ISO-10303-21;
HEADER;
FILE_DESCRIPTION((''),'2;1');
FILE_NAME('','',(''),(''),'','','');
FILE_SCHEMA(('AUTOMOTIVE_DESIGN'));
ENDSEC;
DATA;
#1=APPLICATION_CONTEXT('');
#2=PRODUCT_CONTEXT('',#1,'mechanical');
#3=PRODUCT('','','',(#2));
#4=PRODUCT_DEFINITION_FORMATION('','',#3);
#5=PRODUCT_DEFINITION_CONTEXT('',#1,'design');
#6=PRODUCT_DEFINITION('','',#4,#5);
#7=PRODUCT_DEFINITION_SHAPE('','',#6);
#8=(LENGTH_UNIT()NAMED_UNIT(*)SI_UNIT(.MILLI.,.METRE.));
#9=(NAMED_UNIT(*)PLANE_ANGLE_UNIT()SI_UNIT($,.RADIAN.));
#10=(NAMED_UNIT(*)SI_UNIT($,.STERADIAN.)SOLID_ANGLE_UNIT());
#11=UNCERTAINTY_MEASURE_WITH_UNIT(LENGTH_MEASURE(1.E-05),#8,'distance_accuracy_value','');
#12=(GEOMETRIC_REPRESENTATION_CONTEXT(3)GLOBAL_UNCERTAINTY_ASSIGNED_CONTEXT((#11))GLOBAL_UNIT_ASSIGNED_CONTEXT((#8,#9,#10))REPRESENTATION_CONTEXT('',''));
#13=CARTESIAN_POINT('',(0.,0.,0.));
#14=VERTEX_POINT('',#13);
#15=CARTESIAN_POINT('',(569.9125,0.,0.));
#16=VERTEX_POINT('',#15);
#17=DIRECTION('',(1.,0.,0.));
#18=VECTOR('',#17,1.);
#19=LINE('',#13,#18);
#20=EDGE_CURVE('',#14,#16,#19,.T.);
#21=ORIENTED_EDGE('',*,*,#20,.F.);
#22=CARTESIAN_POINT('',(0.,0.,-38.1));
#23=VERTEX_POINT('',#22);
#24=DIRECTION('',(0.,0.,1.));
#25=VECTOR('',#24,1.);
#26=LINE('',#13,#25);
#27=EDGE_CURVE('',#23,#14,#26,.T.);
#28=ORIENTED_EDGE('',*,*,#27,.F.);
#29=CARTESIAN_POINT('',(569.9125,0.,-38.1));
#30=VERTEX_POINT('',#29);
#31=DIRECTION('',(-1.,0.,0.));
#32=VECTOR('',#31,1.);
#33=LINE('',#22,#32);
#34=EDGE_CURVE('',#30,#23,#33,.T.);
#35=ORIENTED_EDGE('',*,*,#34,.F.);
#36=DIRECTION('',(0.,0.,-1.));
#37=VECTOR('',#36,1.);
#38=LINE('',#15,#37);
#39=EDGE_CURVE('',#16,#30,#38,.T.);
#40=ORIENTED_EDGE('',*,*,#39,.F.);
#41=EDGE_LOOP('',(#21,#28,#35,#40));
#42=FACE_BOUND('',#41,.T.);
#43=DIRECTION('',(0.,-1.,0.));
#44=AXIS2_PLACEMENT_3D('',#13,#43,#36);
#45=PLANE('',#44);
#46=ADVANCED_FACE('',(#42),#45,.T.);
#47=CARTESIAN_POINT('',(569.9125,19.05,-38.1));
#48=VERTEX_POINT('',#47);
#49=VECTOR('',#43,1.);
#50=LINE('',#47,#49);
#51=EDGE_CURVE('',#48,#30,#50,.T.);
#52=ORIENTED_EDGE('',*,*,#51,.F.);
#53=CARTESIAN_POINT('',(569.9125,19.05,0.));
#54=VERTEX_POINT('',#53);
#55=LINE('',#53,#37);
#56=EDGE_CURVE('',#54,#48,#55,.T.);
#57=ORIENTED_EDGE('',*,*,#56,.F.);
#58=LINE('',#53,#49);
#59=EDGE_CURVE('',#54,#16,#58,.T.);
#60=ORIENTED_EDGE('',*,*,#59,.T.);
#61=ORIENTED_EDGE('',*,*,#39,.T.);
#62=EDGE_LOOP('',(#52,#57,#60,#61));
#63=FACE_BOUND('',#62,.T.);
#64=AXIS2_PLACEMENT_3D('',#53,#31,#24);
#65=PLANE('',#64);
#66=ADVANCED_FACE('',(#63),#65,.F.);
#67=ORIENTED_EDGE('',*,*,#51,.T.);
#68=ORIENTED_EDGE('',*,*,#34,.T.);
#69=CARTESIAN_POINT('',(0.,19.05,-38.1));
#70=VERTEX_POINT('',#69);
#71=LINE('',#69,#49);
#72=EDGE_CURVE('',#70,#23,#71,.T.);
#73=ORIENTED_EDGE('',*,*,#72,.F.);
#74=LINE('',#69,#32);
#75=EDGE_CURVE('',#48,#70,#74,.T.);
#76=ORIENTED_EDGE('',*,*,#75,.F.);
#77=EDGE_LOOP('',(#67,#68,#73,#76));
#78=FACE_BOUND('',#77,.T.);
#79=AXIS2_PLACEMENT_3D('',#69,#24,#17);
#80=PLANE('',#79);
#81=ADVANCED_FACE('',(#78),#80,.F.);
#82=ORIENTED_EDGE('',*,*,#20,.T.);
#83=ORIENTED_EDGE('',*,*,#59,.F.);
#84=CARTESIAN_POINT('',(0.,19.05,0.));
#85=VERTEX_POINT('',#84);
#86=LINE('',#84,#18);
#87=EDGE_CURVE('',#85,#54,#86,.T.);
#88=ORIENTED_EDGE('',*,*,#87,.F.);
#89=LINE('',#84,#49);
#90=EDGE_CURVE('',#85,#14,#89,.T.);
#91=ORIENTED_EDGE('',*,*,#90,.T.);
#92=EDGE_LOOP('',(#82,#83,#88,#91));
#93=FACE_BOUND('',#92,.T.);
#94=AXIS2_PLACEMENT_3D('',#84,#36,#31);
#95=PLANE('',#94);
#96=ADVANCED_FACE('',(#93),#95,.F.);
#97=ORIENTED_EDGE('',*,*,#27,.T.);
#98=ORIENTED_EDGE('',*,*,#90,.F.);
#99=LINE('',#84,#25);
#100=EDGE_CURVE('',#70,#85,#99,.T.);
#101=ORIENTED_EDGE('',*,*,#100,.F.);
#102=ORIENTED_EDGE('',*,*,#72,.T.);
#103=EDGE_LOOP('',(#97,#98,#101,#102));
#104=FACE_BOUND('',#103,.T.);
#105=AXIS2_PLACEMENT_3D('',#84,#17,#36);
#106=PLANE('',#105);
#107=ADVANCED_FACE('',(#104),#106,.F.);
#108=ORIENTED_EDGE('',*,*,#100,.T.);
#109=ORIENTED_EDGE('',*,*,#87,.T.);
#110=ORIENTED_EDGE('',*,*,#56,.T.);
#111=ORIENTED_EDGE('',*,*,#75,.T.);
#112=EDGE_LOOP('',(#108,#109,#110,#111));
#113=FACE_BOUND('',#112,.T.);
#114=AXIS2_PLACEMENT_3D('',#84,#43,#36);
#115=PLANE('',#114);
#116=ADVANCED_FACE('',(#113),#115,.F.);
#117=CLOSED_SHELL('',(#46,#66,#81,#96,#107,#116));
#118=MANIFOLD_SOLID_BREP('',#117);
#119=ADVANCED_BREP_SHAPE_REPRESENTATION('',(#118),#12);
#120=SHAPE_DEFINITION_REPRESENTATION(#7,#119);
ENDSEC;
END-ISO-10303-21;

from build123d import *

# Parameters (mm, degrees)
SKETCH1_W           = 569.9125
SKETCH1_H           = 38.1
BOSS_EXTRUDE1_DEPTH = 19.05


with BuildPart() as part:
    # Sketch1 → Boss-Extrude1 (new body)
    with BuildSketch(Plane(origin=(0, 0, 0), x_dir=(1, 0, 0), z_dir=(0, 1, 0))):
        with Locations((284.95625, 19.05)):
            Rectangle(SKETCH1_W, SKETCH1_H)
    extrude(amount=BOSS_EXTRUDE1_DEPTH)


solid = part.part
